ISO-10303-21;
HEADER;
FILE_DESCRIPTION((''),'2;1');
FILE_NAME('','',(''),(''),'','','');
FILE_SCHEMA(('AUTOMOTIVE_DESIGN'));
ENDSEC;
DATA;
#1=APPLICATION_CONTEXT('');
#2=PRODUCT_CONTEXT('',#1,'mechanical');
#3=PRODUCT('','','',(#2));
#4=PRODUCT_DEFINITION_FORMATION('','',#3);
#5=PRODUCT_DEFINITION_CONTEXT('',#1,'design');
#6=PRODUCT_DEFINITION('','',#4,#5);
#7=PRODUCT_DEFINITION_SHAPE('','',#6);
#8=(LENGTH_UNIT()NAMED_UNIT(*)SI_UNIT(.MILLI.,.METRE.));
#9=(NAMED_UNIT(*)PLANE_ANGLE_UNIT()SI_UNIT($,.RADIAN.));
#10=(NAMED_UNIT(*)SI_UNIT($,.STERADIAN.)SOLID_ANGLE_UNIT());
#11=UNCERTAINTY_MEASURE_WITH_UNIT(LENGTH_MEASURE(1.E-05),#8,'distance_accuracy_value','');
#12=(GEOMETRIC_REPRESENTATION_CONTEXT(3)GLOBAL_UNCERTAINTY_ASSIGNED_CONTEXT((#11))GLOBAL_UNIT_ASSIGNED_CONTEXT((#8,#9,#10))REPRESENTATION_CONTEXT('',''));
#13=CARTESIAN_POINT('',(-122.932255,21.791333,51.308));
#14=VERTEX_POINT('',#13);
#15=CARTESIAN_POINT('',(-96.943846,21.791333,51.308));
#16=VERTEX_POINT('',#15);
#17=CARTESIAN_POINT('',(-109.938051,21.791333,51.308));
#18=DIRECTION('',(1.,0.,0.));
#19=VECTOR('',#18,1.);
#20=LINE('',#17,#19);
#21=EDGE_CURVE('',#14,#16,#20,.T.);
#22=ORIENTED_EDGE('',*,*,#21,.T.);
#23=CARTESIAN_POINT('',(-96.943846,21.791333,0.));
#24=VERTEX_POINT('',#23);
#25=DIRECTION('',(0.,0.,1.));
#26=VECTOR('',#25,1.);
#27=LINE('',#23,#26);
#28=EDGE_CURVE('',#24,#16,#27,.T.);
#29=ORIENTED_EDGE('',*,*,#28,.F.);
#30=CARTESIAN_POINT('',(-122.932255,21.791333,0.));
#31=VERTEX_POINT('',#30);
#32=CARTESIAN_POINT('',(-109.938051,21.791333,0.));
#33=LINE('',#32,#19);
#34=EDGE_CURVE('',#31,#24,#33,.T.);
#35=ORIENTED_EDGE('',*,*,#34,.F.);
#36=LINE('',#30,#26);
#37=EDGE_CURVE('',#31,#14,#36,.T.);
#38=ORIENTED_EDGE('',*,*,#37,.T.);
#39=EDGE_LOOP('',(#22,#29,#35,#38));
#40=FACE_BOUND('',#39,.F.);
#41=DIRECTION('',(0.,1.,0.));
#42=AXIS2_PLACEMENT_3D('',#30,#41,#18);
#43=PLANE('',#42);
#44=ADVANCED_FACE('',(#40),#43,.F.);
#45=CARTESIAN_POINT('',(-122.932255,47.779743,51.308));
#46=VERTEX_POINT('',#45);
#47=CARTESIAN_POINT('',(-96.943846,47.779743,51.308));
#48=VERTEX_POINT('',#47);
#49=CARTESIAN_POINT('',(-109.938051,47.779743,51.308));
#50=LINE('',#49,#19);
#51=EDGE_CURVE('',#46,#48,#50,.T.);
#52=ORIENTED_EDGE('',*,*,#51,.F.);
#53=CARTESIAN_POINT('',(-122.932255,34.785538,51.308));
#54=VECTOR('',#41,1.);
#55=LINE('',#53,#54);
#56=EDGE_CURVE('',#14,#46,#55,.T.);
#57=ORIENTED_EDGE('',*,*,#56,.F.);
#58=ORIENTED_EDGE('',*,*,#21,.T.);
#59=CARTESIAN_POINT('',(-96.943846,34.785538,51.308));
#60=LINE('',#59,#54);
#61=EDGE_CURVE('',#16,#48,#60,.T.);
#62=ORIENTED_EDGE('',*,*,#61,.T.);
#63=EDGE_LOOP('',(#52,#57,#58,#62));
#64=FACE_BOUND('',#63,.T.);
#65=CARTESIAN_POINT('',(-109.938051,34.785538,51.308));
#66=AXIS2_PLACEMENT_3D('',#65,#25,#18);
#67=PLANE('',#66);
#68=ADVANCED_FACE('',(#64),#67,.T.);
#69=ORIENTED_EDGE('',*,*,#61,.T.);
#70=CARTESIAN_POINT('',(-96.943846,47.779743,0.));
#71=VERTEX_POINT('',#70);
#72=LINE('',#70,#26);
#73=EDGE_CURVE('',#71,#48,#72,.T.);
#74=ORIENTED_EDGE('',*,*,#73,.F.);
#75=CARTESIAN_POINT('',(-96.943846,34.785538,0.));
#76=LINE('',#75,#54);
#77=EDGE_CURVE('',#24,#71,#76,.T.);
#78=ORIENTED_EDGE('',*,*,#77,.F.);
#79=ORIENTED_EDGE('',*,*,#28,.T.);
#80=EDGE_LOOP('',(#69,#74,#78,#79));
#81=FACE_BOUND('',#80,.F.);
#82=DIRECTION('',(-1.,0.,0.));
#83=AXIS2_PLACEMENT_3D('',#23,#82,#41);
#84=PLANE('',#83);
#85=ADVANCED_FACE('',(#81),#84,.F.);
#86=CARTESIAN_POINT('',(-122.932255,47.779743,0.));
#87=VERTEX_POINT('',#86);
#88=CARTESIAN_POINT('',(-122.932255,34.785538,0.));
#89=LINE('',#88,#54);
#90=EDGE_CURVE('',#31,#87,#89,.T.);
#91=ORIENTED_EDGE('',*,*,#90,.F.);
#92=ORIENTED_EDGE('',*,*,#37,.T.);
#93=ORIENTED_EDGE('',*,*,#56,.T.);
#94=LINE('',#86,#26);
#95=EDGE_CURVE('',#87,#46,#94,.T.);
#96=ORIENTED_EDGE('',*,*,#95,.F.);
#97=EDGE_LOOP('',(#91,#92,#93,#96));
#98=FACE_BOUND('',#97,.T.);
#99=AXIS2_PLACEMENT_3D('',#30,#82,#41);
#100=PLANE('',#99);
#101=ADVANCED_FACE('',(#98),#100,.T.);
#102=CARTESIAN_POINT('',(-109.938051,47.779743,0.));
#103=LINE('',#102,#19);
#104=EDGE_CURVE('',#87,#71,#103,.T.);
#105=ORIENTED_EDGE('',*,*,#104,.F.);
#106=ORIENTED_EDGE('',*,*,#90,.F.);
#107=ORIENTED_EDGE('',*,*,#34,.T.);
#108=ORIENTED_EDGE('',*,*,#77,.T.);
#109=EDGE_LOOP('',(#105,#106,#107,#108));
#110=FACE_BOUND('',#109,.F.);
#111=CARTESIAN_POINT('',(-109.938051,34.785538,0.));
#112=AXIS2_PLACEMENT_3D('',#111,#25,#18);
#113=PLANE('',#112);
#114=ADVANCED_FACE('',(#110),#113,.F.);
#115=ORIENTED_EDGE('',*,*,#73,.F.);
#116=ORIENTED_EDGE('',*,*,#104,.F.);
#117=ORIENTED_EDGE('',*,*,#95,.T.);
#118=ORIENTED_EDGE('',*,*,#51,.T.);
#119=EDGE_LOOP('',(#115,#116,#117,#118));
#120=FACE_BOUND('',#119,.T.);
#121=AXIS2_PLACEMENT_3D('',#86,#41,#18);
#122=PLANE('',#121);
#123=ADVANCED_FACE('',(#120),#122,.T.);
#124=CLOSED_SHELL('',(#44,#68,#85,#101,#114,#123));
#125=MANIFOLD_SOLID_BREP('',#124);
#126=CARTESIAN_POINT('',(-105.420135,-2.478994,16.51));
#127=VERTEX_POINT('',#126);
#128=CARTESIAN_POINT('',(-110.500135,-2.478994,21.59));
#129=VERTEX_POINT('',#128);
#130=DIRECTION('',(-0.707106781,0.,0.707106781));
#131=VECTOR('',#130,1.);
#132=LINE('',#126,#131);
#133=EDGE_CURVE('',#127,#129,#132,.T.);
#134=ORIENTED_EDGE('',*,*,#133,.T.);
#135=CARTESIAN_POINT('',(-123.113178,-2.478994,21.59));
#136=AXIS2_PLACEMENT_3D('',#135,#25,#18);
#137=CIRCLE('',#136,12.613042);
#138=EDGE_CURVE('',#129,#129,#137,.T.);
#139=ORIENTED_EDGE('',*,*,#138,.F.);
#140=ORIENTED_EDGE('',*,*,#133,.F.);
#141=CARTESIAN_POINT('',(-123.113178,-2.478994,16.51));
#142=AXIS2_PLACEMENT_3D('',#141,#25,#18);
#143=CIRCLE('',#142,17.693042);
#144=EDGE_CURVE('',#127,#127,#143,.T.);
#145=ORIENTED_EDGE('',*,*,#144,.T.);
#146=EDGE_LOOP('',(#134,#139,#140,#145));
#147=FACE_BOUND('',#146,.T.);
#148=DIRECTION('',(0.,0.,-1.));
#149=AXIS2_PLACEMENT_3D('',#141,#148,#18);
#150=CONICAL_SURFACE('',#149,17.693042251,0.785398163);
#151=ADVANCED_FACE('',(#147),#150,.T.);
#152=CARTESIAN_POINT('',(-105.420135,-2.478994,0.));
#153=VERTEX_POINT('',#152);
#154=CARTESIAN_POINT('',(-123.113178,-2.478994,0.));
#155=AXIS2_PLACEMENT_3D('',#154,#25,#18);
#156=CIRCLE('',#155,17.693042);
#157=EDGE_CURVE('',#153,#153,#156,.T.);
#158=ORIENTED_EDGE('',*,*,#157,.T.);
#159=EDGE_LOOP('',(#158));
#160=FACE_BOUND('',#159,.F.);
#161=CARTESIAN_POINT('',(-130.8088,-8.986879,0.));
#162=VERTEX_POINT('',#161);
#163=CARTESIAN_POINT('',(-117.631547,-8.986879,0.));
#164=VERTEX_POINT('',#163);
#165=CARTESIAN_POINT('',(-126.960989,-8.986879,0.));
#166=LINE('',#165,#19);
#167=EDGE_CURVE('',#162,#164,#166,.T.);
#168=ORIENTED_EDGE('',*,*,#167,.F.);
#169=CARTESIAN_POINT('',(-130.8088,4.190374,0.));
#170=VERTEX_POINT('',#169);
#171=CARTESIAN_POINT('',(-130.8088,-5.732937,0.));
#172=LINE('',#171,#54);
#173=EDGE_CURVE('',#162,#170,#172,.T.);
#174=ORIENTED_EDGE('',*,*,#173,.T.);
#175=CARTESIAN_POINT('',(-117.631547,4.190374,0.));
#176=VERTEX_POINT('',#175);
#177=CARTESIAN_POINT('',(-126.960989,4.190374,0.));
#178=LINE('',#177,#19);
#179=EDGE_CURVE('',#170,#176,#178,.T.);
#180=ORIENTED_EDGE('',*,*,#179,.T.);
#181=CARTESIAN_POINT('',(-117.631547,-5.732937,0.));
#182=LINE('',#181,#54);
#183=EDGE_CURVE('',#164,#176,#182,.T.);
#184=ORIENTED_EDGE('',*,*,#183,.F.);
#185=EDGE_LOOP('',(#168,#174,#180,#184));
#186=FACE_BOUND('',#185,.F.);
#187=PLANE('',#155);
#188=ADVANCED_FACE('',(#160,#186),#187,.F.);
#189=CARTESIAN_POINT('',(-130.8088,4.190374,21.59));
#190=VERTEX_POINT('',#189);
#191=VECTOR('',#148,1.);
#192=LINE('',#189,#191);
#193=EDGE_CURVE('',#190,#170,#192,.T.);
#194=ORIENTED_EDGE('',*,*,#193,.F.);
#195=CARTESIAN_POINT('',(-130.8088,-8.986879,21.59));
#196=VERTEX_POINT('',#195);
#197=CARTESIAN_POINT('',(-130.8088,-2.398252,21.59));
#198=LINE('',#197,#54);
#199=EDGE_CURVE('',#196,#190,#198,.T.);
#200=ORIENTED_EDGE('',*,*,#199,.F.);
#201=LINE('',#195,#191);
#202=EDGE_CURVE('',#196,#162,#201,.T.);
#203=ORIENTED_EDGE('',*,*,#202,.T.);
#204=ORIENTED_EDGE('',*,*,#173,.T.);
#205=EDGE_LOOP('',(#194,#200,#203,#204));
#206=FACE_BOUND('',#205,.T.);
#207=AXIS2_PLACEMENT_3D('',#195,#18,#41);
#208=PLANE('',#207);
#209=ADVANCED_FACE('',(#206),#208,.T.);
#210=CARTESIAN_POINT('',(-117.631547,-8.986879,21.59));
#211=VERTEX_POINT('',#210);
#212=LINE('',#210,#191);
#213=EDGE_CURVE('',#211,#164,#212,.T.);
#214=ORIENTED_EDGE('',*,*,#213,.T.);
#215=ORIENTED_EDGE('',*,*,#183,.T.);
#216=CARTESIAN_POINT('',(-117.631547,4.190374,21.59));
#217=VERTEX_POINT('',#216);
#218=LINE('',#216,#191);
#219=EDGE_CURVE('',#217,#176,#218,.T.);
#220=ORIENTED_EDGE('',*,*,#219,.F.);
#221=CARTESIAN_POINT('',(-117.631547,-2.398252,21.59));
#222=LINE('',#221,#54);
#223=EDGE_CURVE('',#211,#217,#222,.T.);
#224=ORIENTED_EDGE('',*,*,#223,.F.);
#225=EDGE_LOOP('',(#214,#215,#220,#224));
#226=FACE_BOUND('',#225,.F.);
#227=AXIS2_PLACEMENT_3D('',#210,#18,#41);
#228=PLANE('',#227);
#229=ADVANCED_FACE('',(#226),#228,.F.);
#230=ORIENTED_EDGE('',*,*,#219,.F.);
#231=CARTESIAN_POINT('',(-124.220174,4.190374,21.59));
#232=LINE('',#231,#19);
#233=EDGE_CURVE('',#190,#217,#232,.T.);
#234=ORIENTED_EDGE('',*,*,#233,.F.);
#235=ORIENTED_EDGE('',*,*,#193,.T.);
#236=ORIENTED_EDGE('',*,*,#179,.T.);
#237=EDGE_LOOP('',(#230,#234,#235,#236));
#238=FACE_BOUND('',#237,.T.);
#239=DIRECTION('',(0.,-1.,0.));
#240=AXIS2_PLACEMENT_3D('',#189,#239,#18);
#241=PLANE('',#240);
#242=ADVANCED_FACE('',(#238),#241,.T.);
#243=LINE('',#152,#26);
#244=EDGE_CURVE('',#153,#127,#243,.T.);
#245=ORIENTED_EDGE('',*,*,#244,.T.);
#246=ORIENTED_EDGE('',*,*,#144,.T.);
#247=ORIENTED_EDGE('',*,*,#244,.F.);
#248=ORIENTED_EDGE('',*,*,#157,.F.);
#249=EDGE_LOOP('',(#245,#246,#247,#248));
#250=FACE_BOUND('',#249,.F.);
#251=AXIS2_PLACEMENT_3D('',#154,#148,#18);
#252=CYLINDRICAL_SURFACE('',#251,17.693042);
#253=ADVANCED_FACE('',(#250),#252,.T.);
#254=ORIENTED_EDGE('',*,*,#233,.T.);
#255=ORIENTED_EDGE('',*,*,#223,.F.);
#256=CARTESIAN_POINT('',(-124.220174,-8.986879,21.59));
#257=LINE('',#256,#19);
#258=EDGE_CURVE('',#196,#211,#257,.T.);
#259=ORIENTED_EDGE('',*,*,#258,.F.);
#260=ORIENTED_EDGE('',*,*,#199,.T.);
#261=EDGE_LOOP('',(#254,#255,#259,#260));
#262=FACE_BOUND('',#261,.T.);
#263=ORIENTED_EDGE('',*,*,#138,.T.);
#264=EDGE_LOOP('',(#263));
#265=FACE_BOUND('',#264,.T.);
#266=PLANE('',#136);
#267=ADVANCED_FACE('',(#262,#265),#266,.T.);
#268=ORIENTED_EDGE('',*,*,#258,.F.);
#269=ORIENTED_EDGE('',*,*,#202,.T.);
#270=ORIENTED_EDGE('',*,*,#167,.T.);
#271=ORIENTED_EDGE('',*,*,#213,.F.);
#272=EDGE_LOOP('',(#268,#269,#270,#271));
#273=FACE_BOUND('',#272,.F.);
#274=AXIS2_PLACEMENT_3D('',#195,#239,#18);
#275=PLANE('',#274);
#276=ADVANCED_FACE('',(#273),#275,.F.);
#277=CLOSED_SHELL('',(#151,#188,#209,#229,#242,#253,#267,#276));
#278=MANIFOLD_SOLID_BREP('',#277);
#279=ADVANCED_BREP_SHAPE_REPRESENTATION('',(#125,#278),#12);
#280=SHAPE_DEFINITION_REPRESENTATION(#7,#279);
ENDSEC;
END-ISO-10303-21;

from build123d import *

# Parameters (mm, degrees)
F0_W     = 25.9884092957
F0_H     = 25.9884092957
F1_DEPTH = 51.308
F2_R     = 17.6930422515
F3_DEPTH = 21.59
F4_W     = 13.1772533059
F4_H     = 13.1772533059
F5_DEPTH = 25.4
F6_DEPTH = 65.278
F7_SIZE  = 5.08


with BuildPart() as f1:
    # F0 (on Top) → F1 (new body)
    with BuildSketch(Plane.XY):
        with Locations((-109.9380506203, 34.7855379805)):
            Rectangle(F0_W, F0_H)
    extrude(amount=F1_DEPTH)



with BuildPart() as f3:
    # F2 (on Top) → F3 (new body)
    with BuildSketch(Plane.XY):
        with Locations((-123.1131777167, -2.4789941963)):
            Circle(F2_R)
    extrude(amount=F3_DEPTH)

    # F4 (on face) → F5 (cut)
    with BuildSketch(Plane.XY.offset(21.59)):
        with Locations((-124.220173806, -2.3982524872)):
            Rectangle(F4_W, F4_H)
    extrude(amount=-F5_DEPTH, mode=Mode.SUBTRACT)


with BuildPart() as f1_1:
    add(f1.part)
    # F6 (cut): a face of the model
    f6_faces = [f3.part.faces().sort_by_distance(p)[0] for p in [
        (-140.305785162, -2.4789941963, 21.59),
    ]]
    extrude(f6_faces, amount=F6_DEPTH, mode=Mode.SUBTRACT)


with BuildPart() as f3_1:
    add(f3.part)

    # F7
    f7_edges = [f3_1.edges().sort_by_distance(p)[0] for p in [
        (-140.80622, -2.478994, 21.59),
    ]]
    chamfer(f7_edges, length=F7_SIZE)


solid = Compound([f1_1.part, f3_1.part])
